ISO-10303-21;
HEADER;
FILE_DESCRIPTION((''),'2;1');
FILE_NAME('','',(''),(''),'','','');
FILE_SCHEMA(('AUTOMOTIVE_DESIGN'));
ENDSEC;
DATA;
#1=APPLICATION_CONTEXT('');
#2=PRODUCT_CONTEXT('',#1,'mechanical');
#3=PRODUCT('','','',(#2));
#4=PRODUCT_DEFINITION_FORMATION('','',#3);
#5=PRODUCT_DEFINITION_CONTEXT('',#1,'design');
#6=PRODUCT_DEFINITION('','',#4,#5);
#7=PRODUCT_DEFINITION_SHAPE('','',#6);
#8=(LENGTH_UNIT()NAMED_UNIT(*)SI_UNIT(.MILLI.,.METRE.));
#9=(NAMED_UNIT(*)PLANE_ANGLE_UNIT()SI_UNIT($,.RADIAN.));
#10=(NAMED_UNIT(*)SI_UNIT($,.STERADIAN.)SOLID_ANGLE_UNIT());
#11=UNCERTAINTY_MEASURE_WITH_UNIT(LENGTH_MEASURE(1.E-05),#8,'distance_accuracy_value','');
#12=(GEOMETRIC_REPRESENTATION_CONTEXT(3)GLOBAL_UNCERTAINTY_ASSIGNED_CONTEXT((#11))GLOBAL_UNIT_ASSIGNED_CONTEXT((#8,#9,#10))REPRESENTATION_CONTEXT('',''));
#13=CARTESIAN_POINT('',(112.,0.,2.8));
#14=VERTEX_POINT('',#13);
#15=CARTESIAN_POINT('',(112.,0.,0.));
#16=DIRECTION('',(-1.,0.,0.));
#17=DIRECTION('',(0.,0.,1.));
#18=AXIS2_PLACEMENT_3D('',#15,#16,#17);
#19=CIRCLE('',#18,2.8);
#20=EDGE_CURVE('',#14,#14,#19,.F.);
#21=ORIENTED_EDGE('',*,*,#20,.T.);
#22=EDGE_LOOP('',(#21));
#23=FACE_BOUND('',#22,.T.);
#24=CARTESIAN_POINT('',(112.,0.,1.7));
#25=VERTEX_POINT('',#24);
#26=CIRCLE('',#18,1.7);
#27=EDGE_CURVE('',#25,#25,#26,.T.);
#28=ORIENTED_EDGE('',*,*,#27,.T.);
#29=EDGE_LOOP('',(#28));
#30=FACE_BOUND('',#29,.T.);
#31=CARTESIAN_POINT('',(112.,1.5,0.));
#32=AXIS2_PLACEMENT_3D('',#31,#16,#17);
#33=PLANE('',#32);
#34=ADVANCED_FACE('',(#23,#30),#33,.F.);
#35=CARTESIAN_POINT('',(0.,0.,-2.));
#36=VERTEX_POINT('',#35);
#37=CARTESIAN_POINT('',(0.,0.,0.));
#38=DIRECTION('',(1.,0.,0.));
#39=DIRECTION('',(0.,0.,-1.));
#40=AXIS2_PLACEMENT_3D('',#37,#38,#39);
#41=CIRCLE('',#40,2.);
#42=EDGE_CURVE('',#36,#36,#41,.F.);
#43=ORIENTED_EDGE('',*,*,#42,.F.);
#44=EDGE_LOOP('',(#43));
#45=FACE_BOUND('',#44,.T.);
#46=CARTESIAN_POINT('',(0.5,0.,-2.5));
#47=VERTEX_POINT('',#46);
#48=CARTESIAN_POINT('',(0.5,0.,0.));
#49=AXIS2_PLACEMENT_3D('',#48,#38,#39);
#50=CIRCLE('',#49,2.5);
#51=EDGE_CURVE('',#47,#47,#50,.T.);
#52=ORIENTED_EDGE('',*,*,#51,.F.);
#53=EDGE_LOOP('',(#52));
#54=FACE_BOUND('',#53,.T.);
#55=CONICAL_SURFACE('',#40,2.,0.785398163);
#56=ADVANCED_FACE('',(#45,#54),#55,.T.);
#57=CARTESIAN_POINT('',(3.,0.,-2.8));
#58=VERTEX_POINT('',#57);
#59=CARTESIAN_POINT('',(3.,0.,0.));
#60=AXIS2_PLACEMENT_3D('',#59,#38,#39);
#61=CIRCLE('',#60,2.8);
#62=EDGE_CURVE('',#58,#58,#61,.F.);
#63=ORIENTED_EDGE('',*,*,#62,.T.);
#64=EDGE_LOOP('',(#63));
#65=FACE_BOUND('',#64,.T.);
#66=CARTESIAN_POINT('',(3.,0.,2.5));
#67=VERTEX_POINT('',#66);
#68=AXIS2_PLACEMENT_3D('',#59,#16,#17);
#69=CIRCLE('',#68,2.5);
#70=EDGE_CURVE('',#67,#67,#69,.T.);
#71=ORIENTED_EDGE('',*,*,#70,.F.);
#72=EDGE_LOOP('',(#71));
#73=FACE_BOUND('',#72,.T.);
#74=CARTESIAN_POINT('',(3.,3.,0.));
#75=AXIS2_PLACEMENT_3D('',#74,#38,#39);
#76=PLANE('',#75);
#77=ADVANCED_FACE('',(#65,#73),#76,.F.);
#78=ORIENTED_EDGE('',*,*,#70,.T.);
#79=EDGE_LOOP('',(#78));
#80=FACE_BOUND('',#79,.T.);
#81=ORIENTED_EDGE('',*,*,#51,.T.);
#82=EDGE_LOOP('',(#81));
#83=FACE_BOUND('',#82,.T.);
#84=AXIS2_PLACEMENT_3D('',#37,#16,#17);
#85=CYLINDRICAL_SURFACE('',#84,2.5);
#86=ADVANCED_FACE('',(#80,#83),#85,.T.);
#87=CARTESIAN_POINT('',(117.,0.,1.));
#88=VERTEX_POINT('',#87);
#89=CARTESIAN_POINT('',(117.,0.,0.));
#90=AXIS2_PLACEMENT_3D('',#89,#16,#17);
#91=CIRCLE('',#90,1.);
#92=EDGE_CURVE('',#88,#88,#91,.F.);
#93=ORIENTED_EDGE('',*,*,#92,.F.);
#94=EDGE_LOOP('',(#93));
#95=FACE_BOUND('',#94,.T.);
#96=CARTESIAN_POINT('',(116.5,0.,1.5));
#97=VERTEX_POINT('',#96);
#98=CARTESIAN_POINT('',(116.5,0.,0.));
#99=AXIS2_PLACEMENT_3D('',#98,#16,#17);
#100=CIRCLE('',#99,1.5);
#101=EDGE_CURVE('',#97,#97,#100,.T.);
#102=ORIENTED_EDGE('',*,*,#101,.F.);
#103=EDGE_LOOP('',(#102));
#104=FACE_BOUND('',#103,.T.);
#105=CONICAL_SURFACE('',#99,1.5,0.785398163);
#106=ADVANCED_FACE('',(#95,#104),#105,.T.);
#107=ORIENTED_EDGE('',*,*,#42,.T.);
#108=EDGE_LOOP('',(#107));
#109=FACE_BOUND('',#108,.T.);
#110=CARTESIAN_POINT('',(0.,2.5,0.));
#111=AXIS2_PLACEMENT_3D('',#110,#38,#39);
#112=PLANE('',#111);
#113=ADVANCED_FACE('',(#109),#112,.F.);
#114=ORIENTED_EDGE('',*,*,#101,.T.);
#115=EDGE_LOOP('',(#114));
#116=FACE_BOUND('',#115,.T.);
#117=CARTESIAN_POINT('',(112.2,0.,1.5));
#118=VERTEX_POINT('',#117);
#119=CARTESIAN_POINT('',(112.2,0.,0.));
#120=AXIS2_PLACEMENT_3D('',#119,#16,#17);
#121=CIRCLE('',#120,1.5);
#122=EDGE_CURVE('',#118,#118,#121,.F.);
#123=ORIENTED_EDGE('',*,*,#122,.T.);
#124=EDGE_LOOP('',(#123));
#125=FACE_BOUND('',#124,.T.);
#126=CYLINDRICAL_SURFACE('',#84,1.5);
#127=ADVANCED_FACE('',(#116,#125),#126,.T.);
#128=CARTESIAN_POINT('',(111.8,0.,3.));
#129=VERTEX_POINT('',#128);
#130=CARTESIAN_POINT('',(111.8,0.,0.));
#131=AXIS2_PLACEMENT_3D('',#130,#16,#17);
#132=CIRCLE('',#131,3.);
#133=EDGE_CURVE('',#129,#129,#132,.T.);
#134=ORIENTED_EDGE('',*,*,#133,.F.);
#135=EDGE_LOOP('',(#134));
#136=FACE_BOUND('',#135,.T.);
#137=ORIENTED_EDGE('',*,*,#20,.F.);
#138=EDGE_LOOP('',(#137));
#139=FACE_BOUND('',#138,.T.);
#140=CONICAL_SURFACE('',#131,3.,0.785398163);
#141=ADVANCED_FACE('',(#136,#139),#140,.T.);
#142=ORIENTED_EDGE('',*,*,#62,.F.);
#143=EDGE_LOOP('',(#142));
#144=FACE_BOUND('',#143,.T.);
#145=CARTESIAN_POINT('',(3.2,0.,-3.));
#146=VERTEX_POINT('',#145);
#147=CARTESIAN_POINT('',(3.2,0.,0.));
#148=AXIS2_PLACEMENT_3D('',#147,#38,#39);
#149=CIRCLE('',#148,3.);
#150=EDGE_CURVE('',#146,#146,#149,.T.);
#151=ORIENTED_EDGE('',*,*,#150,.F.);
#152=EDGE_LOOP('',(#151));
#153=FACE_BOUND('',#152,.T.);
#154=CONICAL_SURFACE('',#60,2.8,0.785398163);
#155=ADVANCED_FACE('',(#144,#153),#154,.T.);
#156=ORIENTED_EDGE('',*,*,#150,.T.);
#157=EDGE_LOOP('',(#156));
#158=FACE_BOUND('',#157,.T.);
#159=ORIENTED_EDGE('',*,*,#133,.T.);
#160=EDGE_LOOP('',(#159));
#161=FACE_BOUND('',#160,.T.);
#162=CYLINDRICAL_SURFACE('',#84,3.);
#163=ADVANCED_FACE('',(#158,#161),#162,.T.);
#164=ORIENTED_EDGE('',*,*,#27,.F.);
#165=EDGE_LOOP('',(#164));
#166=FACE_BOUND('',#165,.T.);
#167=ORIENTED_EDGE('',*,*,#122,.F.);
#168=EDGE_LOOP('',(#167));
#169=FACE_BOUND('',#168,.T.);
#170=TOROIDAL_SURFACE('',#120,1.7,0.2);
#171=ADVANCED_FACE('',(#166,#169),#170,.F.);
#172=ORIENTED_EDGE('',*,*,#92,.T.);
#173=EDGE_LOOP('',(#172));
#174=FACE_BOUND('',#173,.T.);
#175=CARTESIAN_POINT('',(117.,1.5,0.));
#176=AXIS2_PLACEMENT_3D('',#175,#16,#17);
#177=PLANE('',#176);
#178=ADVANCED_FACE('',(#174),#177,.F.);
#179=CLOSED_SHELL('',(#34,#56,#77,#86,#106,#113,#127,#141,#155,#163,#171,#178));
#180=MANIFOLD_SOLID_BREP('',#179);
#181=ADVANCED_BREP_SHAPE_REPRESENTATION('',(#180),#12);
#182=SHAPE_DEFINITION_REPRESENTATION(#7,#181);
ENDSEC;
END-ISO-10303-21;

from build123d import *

# Parameters (mm, degrees)
CHAMFER1_SIZE = 0.2
CHAMFER2_SIZE = 0.2
CHAMFER3_SIZE = 0.5
CHAMFER4_SIZE = 0.5
FILLET2_R     = 0.2


with BuildPart() as part:
    # Sketch1 → Revolve1 (revolve)
    with BuildSketch(Plane.XY):
        Polygon((0, 0), (117, 0), (117, 1.5), (112, 1.5), (112, 3), (3, 3), (3, 2.5), (0, 2.5), align=None)
    revolve(axis=Axis((0, 0, 0), (1, 0, 0)))

    # Chamfer1
    chamfer1_edges = [part.edges().sort_by_distance(p)[0] for p in [
        (112, -3, 0),
    ]]
    chamfer(chamfer1_edges, length=CHAMFER1_SIZE)

    # Chamfer2
    chamfer2_edges = [part.edges().sort_by_distance(p)[0] for p in [
        (3, -3, 0),
    ]]
    chamfer(chamfer2_edges, length=CHAMFER2_SIZE)

    # Chamfer3
    chamfer3_edges = [part.edges().sort_by_distance(p)[0] for p in [
        (0, -2.5, 0),
    ]]
    chamfer(chamfer3_edges, length=CHAMFER3_SIZE)

    # Chamfer4
    chamfer4_edges = [part.edges().sort_by_distance(p)[0] for p in [
        (117, -1.5, 0),
    ]]
    chamfer(chamfer4_edges, length=CHAMFER4_SIZE)

    # Fillet2
    fillet2_edges = [part.edges().sort_by_distance(p)[0] for p in [
        (112, -1.5, 0),
    ]]
    fillet(fillet2_edges, radius=FILLET2_R)


solid = part.part
